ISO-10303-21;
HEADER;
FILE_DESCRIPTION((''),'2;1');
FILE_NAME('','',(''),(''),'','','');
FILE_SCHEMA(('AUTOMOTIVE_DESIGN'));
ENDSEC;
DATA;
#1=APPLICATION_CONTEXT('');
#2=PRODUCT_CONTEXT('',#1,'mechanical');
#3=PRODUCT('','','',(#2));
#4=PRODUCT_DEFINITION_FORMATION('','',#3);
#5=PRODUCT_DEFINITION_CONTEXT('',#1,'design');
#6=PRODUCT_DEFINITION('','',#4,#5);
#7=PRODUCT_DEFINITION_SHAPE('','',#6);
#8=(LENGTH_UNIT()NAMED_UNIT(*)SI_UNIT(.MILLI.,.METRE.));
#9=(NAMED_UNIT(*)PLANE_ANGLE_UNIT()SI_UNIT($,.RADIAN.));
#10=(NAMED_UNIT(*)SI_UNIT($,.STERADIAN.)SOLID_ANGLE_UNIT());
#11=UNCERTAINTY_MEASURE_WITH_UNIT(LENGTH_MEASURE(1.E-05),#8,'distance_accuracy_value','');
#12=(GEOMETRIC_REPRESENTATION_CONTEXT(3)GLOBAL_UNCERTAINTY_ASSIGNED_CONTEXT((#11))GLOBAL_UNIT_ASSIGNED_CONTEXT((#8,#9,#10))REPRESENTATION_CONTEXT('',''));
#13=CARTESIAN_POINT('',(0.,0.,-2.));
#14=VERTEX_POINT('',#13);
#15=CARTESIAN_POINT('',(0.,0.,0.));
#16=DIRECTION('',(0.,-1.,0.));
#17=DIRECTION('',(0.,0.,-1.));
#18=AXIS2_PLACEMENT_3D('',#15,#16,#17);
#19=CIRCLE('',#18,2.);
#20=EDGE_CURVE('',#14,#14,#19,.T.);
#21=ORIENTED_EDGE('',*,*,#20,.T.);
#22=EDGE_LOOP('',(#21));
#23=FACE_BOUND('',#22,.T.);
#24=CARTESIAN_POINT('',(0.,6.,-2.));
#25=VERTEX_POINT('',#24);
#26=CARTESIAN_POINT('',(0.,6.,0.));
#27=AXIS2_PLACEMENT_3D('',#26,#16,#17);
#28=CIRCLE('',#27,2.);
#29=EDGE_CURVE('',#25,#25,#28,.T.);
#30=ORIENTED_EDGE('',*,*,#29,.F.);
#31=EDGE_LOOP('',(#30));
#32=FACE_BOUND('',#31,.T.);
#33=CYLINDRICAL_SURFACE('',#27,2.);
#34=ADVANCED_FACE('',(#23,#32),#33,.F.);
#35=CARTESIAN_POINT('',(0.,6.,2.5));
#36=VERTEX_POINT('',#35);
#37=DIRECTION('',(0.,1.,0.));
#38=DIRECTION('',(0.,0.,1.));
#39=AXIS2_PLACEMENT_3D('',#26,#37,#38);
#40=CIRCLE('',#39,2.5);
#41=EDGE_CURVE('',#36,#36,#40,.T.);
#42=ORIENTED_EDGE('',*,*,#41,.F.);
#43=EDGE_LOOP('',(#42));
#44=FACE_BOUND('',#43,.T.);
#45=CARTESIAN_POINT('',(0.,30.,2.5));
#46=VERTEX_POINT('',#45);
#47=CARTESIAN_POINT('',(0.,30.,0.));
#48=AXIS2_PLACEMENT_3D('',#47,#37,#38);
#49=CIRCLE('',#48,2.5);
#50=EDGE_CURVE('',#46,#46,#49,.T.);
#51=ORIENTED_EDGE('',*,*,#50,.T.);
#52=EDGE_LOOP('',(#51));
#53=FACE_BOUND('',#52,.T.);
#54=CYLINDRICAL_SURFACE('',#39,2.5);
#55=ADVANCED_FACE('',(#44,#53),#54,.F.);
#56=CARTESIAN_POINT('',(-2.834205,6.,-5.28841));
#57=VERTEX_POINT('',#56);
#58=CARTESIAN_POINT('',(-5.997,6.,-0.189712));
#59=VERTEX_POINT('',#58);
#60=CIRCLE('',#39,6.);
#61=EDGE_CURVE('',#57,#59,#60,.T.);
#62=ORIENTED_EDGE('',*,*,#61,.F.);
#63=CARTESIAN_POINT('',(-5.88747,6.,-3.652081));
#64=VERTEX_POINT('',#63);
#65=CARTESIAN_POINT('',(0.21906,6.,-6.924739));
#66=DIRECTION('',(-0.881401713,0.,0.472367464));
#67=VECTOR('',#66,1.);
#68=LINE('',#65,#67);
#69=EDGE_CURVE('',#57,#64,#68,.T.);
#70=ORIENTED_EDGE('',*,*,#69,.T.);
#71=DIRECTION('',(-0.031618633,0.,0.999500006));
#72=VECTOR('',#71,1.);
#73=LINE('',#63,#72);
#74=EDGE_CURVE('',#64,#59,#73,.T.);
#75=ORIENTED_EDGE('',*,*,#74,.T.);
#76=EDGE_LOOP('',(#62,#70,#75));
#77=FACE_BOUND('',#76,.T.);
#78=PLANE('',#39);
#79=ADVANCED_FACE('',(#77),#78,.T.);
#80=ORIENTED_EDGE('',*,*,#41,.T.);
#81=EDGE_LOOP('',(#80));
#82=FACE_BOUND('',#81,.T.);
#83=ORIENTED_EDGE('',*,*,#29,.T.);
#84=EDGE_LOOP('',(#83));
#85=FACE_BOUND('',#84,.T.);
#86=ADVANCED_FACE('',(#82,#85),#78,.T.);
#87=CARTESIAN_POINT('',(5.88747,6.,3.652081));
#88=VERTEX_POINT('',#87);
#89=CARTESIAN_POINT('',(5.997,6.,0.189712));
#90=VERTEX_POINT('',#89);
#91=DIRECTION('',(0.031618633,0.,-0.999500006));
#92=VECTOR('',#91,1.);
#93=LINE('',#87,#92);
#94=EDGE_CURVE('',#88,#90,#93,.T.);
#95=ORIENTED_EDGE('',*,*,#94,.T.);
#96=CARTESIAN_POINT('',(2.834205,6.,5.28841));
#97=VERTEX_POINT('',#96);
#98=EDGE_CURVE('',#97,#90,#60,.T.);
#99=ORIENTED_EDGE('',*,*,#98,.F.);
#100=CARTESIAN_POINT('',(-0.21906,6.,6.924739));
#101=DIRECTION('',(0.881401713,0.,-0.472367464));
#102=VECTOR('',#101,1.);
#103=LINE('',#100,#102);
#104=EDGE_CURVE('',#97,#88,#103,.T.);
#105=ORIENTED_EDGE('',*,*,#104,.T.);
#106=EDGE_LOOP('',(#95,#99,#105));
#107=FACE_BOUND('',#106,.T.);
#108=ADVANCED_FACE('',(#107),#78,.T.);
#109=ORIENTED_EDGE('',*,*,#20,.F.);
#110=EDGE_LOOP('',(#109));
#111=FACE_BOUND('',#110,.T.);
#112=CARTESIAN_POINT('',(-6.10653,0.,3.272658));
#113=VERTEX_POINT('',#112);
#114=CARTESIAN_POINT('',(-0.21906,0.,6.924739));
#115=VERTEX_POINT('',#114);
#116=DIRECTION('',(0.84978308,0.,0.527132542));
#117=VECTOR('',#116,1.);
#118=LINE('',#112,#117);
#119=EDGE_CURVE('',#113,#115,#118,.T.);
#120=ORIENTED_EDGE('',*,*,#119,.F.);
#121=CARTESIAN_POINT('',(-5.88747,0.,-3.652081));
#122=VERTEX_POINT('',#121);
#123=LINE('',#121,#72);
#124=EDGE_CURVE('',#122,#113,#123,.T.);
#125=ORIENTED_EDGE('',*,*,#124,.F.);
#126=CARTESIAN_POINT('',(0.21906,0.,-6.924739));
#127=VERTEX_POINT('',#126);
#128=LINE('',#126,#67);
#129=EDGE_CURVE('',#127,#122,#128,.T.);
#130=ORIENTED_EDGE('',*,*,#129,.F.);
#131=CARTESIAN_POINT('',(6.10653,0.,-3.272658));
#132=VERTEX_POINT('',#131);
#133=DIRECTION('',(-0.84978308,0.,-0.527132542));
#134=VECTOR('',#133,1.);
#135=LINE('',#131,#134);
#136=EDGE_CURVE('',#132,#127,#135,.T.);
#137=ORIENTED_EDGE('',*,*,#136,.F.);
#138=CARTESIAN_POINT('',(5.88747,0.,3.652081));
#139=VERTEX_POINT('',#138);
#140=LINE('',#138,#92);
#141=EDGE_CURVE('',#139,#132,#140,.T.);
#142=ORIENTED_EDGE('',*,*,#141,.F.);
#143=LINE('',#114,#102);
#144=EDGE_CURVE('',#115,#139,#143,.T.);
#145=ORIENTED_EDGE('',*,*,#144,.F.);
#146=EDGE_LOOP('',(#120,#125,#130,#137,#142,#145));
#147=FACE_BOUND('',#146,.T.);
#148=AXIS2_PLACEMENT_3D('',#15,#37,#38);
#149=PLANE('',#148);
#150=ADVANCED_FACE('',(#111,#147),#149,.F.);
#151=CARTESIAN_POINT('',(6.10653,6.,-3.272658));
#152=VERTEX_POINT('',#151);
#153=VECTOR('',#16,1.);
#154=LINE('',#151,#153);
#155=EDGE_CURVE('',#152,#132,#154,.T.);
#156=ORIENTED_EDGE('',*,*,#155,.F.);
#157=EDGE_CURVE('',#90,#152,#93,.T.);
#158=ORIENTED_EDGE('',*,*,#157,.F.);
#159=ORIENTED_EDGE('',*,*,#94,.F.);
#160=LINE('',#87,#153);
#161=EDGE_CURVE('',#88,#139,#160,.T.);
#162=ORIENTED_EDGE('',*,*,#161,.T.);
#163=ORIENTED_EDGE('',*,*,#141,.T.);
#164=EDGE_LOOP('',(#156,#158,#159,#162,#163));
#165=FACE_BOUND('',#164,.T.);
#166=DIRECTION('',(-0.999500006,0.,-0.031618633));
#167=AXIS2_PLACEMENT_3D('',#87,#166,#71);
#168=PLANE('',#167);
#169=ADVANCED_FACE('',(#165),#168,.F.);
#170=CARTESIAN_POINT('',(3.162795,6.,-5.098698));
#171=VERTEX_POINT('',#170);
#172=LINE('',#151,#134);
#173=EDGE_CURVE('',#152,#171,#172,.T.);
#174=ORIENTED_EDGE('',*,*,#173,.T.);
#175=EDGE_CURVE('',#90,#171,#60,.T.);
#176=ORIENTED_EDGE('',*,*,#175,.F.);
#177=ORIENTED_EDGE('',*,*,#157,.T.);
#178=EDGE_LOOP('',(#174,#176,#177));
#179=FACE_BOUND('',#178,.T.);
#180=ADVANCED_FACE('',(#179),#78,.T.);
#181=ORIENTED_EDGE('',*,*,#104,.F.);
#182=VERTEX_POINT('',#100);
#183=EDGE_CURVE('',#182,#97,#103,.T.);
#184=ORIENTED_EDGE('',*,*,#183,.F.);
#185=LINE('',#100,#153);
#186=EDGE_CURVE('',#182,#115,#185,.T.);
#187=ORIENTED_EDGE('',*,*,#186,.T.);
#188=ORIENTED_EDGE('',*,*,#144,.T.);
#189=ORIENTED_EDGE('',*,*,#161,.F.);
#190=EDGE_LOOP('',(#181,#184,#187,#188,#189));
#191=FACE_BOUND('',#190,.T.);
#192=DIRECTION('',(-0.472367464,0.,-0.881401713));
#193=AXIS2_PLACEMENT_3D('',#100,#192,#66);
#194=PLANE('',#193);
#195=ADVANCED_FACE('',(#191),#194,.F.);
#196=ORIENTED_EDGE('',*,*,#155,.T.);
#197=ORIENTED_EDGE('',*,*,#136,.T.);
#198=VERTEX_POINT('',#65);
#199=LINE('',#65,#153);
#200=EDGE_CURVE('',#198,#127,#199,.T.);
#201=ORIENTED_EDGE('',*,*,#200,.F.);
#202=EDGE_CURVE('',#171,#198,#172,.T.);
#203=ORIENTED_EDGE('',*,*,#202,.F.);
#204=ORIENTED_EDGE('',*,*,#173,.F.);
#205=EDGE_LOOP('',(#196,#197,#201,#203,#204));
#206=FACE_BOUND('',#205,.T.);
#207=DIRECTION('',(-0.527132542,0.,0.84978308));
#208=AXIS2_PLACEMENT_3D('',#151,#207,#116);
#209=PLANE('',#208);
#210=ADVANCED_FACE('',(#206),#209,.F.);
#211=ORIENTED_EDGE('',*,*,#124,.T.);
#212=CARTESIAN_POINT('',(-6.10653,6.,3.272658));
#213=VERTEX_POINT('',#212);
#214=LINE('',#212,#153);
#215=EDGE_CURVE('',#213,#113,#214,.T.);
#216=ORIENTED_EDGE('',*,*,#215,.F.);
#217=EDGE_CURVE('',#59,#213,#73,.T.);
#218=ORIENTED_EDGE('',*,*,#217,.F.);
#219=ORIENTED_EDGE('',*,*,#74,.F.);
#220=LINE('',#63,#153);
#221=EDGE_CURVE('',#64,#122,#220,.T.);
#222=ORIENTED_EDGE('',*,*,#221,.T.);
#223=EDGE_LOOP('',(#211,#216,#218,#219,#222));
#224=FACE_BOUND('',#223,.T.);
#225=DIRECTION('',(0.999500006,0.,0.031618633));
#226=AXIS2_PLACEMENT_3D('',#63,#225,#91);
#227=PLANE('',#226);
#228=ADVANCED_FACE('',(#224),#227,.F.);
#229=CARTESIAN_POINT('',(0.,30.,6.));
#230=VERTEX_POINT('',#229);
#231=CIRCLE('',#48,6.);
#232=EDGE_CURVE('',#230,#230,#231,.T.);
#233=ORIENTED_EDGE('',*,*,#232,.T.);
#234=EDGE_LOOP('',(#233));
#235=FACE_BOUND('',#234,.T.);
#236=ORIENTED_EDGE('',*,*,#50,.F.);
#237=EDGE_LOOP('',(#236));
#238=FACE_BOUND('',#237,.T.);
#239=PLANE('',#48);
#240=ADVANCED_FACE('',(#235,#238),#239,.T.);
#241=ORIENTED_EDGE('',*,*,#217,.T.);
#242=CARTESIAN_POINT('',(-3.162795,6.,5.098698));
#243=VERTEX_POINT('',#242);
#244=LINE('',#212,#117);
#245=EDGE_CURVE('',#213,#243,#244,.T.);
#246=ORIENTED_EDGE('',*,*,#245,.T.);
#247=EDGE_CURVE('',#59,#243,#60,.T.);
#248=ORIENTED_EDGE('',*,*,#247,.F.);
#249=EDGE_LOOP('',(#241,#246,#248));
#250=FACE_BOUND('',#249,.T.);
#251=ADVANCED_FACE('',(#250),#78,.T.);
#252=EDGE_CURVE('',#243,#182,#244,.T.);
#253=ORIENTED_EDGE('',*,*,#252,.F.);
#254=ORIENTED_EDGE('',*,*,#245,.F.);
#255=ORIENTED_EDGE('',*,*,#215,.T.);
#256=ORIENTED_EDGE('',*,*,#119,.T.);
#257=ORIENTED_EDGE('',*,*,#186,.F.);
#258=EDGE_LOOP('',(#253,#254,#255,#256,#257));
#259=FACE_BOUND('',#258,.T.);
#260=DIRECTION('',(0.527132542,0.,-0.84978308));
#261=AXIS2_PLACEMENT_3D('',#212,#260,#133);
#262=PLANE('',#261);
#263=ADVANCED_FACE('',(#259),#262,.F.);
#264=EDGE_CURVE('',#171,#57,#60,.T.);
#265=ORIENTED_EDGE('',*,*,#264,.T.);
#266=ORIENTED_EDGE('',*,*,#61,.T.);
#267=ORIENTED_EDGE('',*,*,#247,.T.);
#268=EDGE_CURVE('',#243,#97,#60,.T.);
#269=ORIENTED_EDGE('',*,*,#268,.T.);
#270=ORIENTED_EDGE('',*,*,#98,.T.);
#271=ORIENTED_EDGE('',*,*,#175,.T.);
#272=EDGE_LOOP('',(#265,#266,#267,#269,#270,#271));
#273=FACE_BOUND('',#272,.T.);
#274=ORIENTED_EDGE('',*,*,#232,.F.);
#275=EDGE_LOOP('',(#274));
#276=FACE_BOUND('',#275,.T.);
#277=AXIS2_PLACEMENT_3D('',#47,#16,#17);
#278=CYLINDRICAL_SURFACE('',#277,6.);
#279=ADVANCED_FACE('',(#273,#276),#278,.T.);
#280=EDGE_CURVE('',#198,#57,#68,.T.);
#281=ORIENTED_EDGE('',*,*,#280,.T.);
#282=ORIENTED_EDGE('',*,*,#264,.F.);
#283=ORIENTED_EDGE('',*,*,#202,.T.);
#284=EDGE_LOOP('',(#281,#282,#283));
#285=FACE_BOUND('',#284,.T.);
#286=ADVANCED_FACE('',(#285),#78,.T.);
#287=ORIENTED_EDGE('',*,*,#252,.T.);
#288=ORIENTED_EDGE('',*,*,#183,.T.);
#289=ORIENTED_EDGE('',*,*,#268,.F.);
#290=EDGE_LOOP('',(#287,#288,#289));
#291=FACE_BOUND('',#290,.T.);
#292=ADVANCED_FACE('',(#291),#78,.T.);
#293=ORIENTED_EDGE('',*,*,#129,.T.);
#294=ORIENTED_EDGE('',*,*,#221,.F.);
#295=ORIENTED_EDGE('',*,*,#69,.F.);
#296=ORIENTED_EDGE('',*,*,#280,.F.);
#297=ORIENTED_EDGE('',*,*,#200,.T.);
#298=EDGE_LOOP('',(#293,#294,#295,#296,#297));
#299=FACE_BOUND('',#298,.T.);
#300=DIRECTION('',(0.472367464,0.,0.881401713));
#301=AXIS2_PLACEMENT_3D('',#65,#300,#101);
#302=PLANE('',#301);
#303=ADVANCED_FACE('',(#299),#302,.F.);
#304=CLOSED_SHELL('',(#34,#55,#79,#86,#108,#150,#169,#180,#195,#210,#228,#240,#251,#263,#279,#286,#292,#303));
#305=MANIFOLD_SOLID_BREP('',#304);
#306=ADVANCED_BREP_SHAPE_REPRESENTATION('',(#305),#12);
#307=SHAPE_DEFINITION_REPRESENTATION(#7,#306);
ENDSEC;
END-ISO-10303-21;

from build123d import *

# Parameters (mm, degrees)
EXTRUDE_1_DEPTH     = 6
SKETCH_2_R          = 6
EXTRUDE_2_DEPTH     = 24
SKETCH_3_R          = 2.5
CUT_EXTRUDE_1_DEPTH = 24
SKETCH_4_R          = 2
CUT_EXTRUDE_2_DEPTH = 6


with BuildPart() as part:
    # 草图1 → 凸台-拉伸1 (new body)
    with BuildSketch(Plane(origin=(0, 0, 0), x_dir=(1, 0, 0), z_dir=(0, 1, 0))):
        Polygon((5.88746988, -3.652081381), (6.106530193, 3.27265779), (0.219060313, 6.92473917), (-5.88746988, 3.652081381), (-6.106530193, -3.27265779), (-0.219060313, -6.92473917), align=None)
    extrude(amount=EXTRUDE_1_DEPTH)

    # 草图2 → 凸台-拉伸2 (add)
    with BuildSketch(Plane(origin=(0, 6, 0), x_dir=(1, 0, 0), z_dir=(0, 1, 0))):
        with Locations(Location((0, 0, 0), (0, 0, 118.188083805))):
            Circle(SKETCH_2_R)
    extrude(amount=EXTRUDE_2_DEPTH)

    # 草图3 → 切除-拉伸1 (cut)
    with BuildSketch(Plane(origin=(0, 30, 0), x_dir=(1, 0, 0), z_dir=(0, 1, 0))):
        with Locations(Location((0, 0, 0), (0, 0, 270))):
            Circle(SKETCH_3_R)
    extrude(amount=-CUT_EXTRUDE_1_DEPTH, mode=Mode.SUBTRACT)

    # 草图4 → 切除-拉伸2 (cut)
    with BuildSketch(Plane.XZ):
        with Locations(Location((0, 0, 0), (0, 0, 270))):
            Circle(SKETCH_4_R)
    extrude(amount=-CUT_EXTRUDE_2_DEPTH, mode=Mode.SUBTRACT)


solid = part.part
